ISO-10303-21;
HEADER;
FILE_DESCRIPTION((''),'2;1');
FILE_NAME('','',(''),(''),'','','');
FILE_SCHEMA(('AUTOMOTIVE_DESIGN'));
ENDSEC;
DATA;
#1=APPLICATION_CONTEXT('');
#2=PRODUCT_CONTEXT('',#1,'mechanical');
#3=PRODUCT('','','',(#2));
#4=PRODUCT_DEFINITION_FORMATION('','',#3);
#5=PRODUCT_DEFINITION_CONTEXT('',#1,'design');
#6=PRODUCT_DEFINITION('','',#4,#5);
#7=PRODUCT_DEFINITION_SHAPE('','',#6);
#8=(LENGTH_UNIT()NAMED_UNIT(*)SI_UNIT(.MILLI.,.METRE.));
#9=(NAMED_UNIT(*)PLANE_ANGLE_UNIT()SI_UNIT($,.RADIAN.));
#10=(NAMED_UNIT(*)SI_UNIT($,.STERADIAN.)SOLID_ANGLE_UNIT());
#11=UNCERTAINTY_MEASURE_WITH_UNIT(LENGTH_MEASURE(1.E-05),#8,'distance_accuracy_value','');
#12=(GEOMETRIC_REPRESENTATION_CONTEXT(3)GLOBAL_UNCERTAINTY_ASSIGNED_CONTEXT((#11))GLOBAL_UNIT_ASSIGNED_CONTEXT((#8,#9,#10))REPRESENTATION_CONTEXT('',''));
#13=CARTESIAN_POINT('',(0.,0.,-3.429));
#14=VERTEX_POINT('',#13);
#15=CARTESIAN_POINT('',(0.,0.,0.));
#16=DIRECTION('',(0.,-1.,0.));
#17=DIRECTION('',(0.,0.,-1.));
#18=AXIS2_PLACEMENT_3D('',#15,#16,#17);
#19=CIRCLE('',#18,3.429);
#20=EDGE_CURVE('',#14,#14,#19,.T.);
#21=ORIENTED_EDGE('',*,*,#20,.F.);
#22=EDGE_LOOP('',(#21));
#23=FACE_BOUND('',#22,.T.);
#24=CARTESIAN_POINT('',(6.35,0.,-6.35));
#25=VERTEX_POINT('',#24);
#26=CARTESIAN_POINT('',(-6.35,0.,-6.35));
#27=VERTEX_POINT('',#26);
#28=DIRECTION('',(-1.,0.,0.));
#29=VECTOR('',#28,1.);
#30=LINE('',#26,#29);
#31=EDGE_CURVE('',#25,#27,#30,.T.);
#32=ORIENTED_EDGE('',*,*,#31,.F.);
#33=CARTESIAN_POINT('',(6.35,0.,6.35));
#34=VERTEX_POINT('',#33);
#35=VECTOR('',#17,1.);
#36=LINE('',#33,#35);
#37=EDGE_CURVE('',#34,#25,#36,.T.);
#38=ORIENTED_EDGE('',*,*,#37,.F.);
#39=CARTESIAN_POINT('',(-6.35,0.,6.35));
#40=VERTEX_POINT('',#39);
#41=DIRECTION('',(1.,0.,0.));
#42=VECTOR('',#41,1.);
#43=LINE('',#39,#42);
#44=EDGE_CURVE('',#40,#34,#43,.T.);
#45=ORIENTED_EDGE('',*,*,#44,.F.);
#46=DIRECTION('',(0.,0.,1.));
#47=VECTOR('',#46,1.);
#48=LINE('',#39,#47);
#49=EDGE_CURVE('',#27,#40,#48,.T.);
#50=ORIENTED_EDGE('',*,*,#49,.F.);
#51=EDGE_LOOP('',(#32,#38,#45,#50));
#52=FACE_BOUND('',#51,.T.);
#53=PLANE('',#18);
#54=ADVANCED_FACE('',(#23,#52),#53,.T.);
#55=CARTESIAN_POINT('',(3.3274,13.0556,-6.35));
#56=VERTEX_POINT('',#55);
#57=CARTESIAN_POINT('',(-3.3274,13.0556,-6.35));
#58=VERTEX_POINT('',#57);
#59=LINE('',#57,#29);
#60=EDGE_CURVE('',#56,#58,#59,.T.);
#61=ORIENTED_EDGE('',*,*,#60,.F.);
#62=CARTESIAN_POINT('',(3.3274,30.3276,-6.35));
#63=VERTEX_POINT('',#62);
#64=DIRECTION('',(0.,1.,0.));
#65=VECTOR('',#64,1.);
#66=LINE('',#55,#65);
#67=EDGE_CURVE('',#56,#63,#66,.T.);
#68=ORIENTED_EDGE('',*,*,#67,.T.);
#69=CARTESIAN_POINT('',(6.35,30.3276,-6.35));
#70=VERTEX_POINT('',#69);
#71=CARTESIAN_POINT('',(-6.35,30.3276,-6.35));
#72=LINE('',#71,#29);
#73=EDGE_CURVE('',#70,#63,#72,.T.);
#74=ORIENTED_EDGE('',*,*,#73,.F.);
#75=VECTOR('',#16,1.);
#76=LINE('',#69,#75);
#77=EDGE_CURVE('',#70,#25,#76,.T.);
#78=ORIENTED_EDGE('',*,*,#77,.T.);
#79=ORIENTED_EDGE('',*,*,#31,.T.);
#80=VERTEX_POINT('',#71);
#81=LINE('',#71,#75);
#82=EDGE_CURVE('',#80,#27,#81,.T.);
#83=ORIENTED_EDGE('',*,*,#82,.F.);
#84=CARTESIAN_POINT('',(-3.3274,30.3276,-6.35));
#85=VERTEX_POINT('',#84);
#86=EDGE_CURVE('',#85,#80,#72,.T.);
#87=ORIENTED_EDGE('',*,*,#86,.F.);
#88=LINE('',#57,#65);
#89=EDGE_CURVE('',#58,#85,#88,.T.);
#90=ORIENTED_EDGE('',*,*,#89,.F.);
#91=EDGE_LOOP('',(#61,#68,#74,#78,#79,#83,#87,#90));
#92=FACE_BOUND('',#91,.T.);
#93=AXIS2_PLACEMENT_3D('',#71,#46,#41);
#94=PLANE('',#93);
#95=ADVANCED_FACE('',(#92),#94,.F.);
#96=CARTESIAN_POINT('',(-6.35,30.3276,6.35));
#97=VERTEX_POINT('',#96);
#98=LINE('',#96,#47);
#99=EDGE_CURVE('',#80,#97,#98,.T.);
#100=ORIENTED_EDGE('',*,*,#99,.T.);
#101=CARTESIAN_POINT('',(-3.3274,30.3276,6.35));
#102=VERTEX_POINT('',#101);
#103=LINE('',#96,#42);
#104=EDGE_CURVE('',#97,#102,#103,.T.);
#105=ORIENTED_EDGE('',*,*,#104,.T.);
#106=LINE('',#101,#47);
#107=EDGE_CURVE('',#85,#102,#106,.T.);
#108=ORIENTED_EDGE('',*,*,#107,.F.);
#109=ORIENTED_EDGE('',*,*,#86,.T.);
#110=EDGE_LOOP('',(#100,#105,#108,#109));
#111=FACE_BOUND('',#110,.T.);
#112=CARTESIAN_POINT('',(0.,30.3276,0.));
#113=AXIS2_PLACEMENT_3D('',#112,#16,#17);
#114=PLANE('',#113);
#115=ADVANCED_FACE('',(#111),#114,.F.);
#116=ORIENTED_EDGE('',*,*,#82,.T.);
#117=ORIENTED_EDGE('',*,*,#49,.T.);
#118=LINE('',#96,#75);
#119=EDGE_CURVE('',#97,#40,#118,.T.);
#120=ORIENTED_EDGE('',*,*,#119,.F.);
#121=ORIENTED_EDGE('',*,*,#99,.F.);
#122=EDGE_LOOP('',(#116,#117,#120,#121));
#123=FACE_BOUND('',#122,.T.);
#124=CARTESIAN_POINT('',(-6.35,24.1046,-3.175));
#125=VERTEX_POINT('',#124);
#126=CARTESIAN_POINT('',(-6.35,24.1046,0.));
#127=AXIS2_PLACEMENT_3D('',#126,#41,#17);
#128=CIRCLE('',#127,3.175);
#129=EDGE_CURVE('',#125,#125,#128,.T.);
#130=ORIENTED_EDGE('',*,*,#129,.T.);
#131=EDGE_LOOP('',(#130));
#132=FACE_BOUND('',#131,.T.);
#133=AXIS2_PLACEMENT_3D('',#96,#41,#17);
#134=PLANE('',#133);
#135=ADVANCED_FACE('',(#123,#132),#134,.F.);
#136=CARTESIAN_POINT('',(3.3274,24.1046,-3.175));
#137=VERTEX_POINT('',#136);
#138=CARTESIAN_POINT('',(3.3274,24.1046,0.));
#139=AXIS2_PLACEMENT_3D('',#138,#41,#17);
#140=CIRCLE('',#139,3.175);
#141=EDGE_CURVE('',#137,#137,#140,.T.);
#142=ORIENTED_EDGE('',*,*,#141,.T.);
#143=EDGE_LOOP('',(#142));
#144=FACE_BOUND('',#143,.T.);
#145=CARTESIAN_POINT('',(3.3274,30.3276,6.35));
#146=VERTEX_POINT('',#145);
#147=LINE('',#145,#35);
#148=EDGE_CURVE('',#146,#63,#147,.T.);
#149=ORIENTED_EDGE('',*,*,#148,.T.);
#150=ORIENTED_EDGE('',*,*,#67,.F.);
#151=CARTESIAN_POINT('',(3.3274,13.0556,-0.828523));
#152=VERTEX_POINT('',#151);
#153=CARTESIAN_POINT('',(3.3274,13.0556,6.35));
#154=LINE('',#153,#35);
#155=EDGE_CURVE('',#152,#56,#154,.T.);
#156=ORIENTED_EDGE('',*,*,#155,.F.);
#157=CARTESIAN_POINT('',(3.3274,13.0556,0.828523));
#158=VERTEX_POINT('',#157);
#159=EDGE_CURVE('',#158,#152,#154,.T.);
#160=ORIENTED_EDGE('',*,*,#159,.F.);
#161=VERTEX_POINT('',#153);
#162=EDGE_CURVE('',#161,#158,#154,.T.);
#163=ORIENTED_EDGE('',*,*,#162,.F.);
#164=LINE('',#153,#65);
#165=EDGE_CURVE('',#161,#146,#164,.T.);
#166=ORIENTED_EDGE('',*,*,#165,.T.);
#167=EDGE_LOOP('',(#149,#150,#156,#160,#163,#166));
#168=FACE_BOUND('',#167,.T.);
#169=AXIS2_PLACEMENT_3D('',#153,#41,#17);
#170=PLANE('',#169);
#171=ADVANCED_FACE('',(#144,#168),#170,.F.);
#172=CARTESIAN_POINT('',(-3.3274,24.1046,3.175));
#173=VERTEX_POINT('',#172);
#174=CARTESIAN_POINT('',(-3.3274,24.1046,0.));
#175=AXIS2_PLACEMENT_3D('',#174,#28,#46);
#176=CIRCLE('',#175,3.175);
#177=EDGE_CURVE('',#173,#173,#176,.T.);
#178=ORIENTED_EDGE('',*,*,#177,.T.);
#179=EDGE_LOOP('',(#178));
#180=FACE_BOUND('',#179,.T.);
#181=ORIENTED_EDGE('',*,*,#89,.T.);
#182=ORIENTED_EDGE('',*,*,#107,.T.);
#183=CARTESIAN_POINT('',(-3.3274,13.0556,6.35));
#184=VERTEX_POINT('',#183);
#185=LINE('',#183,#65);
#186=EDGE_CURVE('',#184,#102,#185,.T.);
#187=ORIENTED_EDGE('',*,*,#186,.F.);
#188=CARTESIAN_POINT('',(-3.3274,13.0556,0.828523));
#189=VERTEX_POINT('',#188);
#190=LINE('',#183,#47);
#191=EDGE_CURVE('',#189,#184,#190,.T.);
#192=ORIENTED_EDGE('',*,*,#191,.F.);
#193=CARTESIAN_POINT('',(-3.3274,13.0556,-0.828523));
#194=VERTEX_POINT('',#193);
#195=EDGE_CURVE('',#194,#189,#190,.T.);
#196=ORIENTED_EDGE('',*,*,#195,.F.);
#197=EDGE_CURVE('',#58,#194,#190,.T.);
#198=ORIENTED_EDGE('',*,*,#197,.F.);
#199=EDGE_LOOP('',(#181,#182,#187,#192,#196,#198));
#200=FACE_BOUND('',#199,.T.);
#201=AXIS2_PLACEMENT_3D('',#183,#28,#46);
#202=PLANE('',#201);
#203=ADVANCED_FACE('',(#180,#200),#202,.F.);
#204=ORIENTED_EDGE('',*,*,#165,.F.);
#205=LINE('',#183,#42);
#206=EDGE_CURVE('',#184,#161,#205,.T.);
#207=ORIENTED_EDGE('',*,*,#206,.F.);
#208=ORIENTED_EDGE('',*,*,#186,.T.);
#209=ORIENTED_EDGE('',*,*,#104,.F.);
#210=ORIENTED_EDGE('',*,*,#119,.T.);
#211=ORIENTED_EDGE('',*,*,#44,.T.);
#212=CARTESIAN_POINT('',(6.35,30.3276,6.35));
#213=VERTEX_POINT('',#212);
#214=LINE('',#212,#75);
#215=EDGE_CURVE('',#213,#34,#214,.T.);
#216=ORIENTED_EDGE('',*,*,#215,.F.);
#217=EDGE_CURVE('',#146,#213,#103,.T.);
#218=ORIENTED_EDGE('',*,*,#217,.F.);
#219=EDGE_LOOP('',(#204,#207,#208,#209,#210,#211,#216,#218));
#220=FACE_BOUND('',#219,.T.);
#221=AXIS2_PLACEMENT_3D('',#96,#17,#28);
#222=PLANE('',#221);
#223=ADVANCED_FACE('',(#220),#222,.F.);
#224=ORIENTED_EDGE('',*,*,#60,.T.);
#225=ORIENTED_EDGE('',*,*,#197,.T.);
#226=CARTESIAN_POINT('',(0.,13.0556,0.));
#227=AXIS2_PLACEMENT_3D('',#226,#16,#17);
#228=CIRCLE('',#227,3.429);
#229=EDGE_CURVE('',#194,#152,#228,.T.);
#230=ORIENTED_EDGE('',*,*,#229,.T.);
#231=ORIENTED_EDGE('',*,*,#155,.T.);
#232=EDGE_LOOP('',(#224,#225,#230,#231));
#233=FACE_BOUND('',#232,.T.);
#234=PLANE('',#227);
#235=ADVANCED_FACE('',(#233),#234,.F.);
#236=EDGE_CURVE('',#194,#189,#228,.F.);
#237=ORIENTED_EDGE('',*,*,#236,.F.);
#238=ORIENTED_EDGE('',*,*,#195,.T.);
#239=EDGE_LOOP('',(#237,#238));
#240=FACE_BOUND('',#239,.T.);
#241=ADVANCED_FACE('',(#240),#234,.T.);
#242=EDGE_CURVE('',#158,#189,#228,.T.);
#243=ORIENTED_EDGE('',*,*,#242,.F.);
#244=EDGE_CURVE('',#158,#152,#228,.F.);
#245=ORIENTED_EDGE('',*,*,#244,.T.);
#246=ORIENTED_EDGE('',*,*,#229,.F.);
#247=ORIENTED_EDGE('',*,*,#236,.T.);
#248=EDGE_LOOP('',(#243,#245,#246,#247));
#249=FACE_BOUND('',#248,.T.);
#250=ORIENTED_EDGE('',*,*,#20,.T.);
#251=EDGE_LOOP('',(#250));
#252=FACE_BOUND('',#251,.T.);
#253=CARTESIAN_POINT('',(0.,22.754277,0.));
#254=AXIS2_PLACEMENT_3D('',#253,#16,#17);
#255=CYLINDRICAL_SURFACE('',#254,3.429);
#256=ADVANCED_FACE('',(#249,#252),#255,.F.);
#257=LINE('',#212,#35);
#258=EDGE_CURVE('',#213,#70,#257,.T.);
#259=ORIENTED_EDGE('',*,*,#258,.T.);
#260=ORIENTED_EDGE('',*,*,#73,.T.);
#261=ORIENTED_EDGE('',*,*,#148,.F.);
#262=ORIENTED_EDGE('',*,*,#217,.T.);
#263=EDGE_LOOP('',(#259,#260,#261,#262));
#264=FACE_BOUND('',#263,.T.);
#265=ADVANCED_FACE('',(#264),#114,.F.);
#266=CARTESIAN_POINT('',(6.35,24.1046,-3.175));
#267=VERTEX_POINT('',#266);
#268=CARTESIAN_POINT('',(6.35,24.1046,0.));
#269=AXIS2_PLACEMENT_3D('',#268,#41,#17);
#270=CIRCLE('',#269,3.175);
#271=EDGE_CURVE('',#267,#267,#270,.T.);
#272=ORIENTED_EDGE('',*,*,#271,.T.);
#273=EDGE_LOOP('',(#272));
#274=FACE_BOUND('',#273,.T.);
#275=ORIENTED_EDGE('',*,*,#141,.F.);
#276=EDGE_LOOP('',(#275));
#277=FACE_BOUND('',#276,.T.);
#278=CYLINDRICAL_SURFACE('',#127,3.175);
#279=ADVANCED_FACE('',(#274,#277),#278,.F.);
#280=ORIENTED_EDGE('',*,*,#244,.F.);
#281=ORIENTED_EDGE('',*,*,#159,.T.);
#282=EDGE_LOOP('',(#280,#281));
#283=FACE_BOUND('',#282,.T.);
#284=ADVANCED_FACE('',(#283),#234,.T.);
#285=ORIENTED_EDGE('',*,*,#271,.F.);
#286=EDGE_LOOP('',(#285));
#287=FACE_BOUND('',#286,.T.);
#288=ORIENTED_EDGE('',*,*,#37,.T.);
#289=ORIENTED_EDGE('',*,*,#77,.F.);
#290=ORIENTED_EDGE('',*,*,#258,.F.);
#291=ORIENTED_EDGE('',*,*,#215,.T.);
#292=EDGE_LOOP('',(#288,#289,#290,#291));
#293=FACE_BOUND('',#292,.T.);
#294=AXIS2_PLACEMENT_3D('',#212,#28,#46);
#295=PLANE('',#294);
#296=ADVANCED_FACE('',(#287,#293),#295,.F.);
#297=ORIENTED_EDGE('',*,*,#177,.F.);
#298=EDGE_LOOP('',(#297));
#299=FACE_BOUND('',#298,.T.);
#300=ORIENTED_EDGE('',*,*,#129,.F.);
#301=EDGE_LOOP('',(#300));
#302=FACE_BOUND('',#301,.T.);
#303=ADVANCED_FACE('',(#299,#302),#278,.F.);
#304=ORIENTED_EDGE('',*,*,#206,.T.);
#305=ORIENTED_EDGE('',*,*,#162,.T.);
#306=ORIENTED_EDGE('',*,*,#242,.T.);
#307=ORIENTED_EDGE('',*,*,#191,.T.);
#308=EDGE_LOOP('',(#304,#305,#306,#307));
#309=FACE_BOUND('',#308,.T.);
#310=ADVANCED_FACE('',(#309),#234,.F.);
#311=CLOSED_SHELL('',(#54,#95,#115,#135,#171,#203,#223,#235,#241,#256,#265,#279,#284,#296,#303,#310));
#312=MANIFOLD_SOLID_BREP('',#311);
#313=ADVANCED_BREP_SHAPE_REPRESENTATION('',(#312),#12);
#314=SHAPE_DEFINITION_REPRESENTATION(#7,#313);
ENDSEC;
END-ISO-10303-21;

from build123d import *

# Parameters (mm, degrees)
SKETCH1_W           = 12.7
SKETCH1_H           = 12.7
BOSS_EXTRUDE1_DEPTH = 30.3276
SKETCH2_W           = 6.6548
SKETCH2_H           = 12.7
CUT_EXTRUDE1_DEPTH  = 17.272
SKETCH3_R           = 3.175
CUT_EXTRUDE2_DEPTH  = 34.486950022
SKETCH4_R           = 3.429
CUT_EXTRUDE3_DEPTH  = 13.0556


with BuildPart() as part:
    # Sketch1 → Boss-Extrude1 (new body)
    with BuildSketch(Plane(origin=(0, 0, 0), x_dir=(1, 0, 0), z_dir=(0, 1, 0))):
        Rectangle(SKETCH1_W, SKETCH1_H)
    extrude(amount=BOSS_EXTRUDE1_DEPTH)

    # Sketch2 → Cut-Extrude1 (cut)
    with BuildSketch(Plane(origin=(0, 30.3276, 0), x_dir=(1, 0, 0), z_dir=(0, 1, 0))):
        Rectangle(SKETCH2_W, SKETCH2_H)
    extrude(amount=-CUT_EXTRUDE1_DEPTH, mode=Mode.SUBTRACT)

    # Sketch3 → Cut-Extrude2 (cut, through all)
    with BuildSketch(Plane(origin=(6.35, 0, 0), x_dir=(0, 0, -1), z_dir=(1, 0, 0))):
        with Locations((0, 24.1046)):
            Circle(SKETCH3_R)
    extrude(amount=-CUT_EXTRUDE2_DEPTH, mode=Mode.SUBTRACT)

    # Sketch4 → Cut-Extrude3 (cut)
    with BuildSketch(Plane.XZ):
        with Locations(Location((0, 0, 0), (0, 0, 270))):
            Circle(SKETCH4_R)
    extrude(amount=-CUT_EXTRUDE3_DEPTH, mode=Mode.SUBTRACT)


solid = part.part
